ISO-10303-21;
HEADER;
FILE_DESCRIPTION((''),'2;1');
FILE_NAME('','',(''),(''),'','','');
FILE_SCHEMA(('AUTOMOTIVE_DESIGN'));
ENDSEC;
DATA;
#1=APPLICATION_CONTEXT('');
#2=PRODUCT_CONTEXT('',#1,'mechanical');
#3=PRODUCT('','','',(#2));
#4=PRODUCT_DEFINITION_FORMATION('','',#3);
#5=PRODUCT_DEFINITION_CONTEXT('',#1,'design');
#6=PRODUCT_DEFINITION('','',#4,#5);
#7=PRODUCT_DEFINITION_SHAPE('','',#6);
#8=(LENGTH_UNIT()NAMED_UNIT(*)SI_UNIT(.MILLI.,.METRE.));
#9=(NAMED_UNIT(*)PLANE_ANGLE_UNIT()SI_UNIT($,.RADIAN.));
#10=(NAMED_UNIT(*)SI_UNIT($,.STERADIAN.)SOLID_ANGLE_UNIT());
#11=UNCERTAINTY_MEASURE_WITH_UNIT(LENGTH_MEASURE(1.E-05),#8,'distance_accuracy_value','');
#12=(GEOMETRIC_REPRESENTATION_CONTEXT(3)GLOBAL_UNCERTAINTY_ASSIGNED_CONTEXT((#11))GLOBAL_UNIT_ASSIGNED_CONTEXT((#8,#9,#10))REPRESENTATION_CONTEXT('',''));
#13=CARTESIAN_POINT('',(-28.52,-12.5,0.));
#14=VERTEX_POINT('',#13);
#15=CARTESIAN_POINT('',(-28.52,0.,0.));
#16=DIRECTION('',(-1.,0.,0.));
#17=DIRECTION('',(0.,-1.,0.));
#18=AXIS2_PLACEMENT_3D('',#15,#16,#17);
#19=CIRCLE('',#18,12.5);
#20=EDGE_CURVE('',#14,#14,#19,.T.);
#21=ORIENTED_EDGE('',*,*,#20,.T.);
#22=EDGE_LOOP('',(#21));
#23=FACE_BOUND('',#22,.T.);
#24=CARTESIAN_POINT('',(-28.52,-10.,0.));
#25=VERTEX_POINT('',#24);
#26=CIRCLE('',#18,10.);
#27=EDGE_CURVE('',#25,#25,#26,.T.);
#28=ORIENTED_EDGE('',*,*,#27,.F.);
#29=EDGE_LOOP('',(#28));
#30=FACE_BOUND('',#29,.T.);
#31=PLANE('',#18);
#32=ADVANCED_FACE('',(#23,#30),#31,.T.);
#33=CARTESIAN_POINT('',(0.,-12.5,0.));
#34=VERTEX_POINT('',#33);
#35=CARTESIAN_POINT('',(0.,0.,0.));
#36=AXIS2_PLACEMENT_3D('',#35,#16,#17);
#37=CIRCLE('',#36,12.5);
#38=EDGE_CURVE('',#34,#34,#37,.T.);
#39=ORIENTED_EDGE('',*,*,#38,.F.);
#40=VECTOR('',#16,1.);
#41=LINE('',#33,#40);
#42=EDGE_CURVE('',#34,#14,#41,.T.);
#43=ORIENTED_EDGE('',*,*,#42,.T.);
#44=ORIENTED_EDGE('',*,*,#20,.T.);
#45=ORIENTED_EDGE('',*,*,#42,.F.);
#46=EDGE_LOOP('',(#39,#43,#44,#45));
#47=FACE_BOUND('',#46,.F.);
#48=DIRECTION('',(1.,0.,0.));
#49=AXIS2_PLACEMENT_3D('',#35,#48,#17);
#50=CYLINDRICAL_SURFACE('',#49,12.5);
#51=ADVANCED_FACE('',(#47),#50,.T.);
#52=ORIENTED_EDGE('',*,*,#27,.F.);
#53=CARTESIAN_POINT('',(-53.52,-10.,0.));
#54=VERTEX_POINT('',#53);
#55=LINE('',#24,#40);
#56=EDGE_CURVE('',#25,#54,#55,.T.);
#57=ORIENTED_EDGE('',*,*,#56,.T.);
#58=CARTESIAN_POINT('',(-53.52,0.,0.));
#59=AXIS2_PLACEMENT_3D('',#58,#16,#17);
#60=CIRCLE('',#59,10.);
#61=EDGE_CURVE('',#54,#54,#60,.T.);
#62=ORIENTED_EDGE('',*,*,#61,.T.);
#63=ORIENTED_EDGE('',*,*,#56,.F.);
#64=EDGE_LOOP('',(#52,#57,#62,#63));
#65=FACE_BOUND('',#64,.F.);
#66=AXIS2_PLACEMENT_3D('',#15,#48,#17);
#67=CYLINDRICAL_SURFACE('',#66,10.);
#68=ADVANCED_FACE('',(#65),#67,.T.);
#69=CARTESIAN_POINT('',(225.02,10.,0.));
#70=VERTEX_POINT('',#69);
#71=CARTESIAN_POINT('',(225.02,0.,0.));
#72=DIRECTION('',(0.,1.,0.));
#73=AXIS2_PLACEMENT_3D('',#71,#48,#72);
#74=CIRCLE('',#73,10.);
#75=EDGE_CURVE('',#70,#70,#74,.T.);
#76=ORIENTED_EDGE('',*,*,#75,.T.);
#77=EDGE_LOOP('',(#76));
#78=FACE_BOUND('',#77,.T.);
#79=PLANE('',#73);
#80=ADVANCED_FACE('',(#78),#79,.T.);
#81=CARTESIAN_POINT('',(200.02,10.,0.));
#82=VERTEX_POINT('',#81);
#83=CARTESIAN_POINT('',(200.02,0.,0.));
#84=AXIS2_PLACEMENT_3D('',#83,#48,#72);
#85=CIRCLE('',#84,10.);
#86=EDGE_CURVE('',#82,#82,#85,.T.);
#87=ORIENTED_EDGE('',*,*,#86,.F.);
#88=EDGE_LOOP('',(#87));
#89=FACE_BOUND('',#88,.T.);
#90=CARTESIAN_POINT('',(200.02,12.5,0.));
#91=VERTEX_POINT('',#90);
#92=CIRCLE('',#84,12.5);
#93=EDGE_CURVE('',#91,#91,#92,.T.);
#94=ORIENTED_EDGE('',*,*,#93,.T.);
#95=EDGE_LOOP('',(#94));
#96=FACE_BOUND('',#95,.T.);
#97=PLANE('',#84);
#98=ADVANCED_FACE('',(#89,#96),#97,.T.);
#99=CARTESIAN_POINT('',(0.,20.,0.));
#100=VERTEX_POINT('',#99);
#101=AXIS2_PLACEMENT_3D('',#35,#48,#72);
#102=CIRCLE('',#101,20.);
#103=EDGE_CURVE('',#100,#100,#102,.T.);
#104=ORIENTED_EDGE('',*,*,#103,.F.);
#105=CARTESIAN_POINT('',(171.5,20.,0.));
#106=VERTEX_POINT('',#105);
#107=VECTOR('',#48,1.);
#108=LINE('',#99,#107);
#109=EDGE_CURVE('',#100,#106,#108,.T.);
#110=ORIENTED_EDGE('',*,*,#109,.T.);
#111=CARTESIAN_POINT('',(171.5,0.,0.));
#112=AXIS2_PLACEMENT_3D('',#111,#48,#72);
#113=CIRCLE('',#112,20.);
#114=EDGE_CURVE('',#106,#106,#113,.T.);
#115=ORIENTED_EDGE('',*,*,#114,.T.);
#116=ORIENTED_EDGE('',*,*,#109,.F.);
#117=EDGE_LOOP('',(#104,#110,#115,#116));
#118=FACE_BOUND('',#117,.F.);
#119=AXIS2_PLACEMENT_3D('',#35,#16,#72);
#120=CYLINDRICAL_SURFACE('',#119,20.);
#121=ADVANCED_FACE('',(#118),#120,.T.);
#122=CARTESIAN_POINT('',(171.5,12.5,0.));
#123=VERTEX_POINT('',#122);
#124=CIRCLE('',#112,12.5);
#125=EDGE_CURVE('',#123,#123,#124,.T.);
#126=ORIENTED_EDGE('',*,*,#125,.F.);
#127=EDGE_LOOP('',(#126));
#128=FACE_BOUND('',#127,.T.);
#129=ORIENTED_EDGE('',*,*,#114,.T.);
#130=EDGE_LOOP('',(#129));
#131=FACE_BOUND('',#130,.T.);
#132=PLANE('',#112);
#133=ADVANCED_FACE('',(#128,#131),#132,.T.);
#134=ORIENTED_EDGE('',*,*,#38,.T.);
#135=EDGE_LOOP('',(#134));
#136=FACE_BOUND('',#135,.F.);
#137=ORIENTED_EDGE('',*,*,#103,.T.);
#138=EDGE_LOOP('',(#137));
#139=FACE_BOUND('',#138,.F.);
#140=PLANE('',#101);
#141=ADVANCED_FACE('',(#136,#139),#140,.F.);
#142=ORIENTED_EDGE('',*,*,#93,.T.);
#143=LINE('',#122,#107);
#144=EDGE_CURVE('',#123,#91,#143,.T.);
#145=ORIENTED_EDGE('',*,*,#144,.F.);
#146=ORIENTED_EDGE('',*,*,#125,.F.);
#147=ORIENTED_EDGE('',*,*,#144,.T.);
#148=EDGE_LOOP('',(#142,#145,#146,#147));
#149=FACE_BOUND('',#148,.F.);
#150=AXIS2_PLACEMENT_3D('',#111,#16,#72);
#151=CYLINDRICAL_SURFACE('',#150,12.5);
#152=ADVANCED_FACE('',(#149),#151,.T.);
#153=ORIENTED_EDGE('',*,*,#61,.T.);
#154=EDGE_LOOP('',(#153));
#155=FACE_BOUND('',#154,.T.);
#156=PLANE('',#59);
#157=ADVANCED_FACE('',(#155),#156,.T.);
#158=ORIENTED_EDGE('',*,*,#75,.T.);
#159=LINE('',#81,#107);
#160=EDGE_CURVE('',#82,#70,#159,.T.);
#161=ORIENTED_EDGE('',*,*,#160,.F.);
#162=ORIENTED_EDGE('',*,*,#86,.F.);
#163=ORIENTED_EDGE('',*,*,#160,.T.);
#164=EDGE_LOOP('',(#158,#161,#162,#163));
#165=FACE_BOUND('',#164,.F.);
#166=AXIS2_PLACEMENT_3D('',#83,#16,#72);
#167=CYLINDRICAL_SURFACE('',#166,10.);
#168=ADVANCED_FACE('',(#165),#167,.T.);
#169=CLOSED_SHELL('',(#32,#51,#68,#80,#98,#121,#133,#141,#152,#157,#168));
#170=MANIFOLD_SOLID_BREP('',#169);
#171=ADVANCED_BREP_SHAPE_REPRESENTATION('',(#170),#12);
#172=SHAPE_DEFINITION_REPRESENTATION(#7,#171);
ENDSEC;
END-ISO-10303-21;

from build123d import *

# Parameters (mm, degrees)
F0_R     = 20
F1_DEPTH = 171.5
F2_R     = 12.5
F3_DEPTH = 28.52
F4_R     = 12.5
F5_DEPTH = 28.52
F6_R     = 10
F7_DEPTH = 25
F8_R     = 10
F9_DEPTH = 25


with BuildPart() as f1:
    # F0 (on Right) → F1 (new body)
    with BuildSketch(Plane.YZ):
        Circle(F0_R)
    extrude(amount=F1_DEPTH)

    # F2 (on face) → F3 (join)
    with BuildSketch(Plane(origin=(0, 0, 0), x_dir=(0, -1, 0), z_dir=(-1, 0, 0))):
        Circle(F2_R)
    extrude(amount=F3_DEPTH)

    # F4 (on face) → F5 (join)
    with BuildSketch(Plane.YZ.offset(171.5)):
        Circle(F4_R)
    extrude(amount=F5_DEPTH)

    # F6 (on face) → F7 (join)
    with BuildSketch(Plane(origin=(-28.52, 0, 0), x_dir=(0, -1, 0), z_dir=(-1, 0, 0))):
        Circle(F6_R)
    extrude(amount=F7_DEPTH)

    # F8 (on face) → F9 (join)
    with BuildSketch(Plane.YZ.offset(200.02)):
        Circle(F8_R)
    extrude(amount=F9_DEPTH)


solid = f1.part
